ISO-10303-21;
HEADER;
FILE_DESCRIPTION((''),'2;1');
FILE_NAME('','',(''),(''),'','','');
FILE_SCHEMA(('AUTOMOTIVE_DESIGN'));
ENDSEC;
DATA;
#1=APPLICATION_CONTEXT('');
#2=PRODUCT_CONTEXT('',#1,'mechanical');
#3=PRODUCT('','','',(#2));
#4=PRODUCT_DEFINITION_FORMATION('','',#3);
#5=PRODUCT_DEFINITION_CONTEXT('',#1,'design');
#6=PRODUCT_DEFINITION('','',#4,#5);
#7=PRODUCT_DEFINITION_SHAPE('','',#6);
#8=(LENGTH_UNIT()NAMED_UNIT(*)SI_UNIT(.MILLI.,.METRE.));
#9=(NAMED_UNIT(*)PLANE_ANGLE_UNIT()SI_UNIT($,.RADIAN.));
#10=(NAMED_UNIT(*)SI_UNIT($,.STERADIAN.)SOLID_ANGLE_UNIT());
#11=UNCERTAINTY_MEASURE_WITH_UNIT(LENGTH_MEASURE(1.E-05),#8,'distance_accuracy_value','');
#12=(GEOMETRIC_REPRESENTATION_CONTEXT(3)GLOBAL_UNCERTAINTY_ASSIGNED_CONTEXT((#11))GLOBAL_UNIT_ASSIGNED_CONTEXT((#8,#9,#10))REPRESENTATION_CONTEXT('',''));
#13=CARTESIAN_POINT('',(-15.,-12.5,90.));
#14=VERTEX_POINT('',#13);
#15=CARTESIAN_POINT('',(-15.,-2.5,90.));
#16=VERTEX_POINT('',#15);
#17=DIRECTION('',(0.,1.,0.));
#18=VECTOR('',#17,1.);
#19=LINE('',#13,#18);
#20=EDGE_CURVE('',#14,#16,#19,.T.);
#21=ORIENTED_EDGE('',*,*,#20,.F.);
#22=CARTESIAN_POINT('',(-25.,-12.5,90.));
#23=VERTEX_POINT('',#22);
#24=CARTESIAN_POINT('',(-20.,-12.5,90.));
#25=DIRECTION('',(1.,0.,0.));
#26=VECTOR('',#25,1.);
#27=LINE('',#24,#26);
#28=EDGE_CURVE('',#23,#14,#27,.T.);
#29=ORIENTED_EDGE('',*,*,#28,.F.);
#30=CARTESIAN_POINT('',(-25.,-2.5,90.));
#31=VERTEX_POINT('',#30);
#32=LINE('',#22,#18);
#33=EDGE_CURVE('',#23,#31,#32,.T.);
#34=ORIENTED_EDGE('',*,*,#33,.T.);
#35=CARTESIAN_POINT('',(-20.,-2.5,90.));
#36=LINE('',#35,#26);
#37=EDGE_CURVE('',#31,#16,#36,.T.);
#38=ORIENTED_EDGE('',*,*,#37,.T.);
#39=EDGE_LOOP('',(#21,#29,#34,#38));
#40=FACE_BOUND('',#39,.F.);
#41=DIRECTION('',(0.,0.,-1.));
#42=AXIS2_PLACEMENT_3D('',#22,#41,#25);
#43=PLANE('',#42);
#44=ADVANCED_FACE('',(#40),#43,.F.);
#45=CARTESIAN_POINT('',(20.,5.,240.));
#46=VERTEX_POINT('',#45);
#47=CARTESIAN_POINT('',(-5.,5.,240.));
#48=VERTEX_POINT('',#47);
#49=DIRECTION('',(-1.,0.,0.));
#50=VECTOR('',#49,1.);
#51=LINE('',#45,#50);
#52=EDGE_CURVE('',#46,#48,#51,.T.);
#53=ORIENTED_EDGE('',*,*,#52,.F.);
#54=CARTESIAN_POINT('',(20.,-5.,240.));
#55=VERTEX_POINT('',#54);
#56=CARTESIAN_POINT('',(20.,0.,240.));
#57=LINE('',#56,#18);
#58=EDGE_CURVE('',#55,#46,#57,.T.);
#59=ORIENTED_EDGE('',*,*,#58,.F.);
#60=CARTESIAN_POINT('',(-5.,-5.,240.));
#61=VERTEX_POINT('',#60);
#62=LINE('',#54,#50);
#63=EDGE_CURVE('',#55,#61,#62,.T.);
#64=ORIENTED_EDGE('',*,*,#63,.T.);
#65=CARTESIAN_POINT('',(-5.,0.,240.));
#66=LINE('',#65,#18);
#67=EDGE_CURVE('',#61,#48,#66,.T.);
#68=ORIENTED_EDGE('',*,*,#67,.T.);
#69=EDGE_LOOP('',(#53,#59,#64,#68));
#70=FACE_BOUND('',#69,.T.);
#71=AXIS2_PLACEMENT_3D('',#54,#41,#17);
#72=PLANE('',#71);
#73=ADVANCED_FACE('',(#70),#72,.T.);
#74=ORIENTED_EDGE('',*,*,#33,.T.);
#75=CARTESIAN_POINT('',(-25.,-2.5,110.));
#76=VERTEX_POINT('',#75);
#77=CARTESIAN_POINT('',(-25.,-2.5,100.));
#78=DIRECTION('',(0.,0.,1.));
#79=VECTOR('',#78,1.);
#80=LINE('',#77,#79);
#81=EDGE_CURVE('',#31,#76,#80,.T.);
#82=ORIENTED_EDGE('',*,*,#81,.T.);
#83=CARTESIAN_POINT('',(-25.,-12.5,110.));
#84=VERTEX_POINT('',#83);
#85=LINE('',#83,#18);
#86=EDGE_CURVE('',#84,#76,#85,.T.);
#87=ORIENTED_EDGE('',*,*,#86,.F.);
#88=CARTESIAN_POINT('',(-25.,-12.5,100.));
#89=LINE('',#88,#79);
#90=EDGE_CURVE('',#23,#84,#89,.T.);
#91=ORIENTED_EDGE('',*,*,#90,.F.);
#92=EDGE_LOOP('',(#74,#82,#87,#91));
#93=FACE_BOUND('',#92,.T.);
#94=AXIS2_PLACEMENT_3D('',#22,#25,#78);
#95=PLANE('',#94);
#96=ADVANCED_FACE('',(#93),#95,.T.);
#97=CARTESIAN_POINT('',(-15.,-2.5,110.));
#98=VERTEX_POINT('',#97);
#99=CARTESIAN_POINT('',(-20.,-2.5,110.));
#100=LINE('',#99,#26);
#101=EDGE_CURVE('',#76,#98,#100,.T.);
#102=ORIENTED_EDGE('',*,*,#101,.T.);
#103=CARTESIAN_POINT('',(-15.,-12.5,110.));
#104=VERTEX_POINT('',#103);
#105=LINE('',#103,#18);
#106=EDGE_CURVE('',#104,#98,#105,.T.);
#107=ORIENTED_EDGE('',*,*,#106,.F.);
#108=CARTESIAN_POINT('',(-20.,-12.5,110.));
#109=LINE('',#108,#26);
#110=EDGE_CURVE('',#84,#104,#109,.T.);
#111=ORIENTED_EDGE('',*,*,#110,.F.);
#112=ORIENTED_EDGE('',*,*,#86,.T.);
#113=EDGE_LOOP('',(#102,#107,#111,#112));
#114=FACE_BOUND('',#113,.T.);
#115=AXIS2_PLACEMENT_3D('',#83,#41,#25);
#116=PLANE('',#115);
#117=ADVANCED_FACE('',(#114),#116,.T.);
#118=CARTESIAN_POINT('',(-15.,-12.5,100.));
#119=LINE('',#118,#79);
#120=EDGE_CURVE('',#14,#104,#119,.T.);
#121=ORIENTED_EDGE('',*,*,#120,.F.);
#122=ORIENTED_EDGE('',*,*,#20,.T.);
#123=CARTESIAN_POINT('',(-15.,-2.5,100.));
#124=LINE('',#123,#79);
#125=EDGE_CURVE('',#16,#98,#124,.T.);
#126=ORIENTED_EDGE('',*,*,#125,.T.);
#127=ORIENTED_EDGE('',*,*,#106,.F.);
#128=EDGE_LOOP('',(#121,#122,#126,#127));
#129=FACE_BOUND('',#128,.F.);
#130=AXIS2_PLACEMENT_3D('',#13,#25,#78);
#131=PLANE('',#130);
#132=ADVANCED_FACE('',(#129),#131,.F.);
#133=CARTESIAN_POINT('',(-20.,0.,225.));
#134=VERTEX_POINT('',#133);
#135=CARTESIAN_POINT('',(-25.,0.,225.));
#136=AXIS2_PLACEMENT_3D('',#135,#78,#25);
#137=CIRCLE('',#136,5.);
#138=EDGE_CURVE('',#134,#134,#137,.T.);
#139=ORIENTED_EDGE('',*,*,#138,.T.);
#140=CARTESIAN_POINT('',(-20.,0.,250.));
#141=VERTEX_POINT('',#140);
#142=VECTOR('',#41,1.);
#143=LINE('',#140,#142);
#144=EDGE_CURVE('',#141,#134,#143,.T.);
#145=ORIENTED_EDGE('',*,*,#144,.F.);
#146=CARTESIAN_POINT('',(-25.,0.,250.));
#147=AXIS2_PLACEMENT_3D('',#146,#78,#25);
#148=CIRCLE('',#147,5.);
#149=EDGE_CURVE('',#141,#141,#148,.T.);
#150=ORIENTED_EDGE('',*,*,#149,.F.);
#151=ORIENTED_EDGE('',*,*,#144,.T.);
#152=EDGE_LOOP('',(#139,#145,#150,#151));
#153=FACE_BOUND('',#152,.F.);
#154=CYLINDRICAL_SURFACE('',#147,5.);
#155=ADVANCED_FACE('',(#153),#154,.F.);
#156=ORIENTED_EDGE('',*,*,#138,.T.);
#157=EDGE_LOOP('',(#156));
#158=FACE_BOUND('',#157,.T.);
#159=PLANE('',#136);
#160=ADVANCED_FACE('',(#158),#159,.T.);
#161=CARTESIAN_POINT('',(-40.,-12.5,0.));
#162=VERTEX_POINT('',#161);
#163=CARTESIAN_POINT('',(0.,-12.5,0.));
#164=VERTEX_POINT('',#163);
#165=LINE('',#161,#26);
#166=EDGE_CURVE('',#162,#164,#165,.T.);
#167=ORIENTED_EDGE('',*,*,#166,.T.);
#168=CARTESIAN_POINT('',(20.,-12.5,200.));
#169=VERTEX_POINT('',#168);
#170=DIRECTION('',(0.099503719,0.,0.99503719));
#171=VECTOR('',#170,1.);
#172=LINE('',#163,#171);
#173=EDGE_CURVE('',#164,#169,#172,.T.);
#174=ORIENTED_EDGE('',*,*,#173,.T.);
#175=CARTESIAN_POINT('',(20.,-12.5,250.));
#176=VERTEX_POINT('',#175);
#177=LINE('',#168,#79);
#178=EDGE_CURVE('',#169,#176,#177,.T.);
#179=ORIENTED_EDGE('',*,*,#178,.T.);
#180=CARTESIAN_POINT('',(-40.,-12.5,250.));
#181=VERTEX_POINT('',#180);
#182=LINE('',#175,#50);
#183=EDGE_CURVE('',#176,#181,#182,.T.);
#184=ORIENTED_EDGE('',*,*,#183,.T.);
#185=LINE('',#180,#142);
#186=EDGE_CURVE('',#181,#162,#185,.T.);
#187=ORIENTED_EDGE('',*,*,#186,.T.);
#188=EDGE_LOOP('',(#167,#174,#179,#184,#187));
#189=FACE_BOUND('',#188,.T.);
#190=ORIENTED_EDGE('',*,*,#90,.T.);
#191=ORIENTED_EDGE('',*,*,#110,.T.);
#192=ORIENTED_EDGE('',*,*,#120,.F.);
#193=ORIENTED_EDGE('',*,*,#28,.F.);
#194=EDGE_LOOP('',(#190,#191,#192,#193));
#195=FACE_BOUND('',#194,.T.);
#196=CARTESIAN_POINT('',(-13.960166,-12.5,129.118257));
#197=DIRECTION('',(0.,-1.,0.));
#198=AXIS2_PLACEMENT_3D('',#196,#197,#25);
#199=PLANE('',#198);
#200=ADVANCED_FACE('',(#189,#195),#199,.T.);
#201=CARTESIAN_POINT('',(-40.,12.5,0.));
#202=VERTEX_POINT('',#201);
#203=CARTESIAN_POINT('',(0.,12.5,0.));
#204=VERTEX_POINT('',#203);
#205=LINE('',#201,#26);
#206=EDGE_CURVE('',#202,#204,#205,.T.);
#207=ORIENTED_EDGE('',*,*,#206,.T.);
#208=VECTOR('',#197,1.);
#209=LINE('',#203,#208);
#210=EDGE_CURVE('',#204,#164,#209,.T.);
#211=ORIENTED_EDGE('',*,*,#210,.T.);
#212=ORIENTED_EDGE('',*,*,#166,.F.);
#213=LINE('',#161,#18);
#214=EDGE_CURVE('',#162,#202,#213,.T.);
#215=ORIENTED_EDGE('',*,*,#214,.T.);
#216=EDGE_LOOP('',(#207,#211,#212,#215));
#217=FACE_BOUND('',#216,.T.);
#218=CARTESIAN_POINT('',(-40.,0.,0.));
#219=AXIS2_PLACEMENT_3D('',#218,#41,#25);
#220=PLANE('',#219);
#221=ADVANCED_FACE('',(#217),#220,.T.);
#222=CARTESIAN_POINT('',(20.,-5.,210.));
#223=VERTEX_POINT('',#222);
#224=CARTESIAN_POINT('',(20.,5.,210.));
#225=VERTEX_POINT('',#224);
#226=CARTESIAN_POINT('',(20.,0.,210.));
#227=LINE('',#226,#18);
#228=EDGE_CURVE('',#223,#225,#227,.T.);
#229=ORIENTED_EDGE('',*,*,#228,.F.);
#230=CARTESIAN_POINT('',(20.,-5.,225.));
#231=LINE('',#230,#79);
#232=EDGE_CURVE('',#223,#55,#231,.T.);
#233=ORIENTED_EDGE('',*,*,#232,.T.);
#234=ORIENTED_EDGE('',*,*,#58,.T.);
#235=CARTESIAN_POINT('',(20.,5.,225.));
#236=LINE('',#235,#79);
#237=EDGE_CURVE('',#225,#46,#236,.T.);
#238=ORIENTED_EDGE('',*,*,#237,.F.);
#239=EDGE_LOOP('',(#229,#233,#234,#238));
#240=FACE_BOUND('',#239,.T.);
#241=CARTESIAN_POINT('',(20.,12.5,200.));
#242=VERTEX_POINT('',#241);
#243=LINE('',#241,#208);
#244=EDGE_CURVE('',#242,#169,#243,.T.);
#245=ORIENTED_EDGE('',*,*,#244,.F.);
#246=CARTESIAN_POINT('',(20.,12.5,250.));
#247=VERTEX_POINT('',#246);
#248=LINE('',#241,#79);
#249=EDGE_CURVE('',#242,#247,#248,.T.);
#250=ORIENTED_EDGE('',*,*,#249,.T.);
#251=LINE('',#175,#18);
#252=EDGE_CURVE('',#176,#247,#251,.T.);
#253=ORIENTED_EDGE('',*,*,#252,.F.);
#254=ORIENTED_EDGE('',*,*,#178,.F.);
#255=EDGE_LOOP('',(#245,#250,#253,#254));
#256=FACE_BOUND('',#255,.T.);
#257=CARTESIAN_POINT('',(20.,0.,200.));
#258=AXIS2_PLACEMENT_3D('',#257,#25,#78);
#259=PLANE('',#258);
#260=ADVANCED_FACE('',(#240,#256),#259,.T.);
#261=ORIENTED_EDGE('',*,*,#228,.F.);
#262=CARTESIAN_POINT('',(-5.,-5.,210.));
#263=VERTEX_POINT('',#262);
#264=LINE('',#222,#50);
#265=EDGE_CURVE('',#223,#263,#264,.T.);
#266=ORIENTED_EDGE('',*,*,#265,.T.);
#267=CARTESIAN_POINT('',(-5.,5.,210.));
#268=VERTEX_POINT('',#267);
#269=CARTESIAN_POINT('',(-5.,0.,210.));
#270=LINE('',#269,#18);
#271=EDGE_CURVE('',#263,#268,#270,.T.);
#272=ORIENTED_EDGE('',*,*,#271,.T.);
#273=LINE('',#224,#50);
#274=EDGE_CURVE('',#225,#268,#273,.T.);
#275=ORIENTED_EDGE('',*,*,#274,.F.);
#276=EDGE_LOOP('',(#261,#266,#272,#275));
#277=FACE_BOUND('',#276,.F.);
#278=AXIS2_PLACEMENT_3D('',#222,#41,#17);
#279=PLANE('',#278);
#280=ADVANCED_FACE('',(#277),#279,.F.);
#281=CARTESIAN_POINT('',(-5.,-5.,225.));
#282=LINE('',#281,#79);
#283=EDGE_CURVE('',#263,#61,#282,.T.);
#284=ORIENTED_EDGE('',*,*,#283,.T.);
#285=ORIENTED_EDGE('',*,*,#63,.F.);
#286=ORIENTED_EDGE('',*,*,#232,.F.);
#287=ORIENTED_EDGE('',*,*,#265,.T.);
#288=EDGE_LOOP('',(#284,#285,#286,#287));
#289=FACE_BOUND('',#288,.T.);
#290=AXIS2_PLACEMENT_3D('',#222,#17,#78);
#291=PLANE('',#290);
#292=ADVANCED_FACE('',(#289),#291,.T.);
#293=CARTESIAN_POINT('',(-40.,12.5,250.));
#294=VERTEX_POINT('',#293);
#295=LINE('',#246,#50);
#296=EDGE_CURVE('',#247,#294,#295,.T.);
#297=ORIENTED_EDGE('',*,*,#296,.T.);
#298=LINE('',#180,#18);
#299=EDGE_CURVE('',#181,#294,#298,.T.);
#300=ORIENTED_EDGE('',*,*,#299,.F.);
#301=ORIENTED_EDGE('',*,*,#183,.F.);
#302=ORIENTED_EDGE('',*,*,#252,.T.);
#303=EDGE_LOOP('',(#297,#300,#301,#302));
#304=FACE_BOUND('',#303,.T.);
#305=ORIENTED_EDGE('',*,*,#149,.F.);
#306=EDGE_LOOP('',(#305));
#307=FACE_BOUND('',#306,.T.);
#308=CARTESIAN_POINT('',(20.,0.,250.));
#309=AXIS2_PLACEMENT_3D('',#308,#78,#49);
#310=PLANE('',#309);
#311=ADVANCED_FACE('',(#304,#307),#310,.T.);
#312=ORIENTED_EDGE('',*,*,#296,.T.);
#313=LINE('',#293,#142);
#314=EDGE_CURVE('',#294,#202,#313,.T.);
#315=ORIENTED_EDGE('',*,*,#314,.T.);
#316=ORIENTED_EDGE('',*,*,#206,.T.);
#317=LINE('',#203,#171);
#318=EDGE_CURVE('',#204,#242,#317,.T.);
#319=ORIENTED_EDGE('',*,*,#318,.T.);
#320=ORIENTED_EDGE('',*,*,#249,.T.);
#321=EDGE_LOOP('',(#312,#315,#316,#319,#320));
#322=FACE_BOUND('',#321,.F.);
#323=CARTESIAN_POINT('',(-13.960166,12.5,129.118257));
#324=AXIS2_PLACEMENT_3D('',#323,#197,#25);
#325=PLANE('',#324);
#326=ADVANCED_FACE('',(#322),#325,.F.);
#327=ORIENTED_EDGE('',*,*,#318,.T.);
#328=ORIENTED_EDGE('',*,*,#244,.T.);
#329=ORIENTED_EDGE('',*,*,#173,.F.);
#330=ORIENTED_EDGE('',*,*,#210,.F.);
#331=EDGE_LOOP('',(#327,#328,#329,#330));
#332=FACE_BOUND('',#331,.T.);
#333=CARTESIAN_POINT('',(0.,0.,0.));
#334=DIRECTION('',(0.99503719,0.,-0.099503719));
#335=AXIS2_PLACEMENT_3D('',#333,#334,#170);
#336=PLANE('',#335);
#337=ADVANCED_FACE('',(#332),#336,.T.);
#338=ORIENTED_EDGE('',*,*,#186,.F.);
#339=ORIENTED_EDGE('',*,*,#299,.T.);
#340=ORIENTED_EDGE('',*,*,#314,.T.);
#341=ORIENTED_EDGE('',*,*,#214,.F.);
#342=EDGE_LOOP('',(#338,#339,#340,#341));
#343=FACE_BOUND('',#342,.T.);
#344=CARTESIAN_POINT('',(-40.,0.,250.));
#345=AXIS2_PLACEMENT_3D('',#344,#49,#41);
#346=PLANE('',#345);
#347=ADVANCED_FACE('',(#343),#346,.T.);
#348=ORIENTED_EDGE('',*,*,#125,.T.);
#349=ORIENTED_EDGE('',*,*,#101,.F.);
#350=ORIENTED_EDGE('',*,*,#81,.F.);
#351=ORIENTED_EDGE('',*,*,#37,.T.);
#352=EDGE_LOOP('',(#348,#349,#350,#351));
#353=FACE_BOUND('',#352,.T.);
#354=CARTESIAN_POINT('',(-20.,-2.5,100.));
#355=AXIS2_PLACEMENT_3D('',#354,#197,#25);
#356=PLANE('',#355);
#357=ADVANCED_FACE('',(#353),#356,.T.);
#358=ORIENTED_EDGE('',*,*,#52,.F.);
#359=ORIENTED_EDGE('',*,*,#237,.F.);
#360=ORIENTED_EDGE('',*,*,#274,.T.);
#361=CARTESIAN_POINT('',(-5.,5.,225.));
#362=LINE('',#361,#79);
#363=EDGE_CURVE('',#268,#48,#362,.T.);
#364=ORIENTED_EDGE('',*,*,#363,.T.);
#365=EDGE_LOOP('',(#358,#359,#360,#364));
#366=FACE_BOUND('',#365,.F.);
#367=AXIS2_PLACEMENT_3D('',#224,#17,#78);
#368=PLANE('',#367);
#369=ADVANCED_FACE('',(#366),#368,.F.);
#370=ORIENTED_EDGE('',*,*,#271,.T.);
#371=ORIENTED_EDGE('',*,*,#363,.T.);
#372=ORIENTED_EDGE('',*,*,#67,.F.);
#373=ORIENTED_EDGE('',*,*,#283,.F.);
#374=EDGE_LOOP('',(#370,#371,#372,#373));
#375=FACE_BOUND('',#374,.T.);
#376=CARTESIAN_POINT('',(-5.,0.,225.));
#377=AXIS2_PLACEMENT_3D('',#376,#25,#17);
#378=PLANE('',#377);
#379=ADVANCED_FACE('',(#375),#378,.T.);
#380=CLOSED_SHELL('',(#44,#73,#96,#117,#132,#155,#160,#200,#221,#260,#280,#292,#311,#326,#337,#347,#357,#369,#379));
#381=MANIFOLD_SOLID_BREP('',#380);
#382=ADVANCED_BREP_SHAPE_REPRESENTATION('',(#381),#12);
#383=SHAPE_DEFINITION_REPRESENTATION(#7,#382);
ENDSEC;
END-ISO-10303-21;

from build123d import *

# Parameters (mm, degrees)
F1_DEPTH = 12.5
F2_W     = 10
F2_H     = 30
F3_DEPTH = 25
F4_W     = 10
F4_H     = 20
F5_DEPTH = 10
F6_R     = 5
F7_DEPTH = 25


with BuildPart() as f1:
    # F0 (on Front) → F1 (new body, symmetric)
    with BuildSketch(Plane.XZ):
        Polygon((-40, 0), (0, 0), (20, 200), (20, 250), (-40, 250), align=None)
    extrude(amount=F1_DEPTH, both=True)

    # F2 (on face) → F3 (cut)
    with BuildSketch(Plane.YZ.offset(20)):
        with Locations((0, 225)):
            Rectangle(F2_W, F2_H)
    extrude(amount=-F3_DEPTH, mode=Mode.SUBTRACT)

    # F4 (on face) → F5 (cut)
    with BuildSketch(Plane.XZ.offset(12.5)):
        with Locations((-20, 100)):
            Rectangle(F4_W, F4_H)
    extrude(amount=-F5_DEPTH, mode=Mode.SUBTRACT)

    # F6 (on face) → F7 (cut)
    with BuildSketch(Plane.XY.offset(250)):
        with Locations((-25, 0)):
            Circle(F6_R)
    extrude(amount=-F7_DEPTH, mode=Mode.SUBTRACT)


solid = f1.part
